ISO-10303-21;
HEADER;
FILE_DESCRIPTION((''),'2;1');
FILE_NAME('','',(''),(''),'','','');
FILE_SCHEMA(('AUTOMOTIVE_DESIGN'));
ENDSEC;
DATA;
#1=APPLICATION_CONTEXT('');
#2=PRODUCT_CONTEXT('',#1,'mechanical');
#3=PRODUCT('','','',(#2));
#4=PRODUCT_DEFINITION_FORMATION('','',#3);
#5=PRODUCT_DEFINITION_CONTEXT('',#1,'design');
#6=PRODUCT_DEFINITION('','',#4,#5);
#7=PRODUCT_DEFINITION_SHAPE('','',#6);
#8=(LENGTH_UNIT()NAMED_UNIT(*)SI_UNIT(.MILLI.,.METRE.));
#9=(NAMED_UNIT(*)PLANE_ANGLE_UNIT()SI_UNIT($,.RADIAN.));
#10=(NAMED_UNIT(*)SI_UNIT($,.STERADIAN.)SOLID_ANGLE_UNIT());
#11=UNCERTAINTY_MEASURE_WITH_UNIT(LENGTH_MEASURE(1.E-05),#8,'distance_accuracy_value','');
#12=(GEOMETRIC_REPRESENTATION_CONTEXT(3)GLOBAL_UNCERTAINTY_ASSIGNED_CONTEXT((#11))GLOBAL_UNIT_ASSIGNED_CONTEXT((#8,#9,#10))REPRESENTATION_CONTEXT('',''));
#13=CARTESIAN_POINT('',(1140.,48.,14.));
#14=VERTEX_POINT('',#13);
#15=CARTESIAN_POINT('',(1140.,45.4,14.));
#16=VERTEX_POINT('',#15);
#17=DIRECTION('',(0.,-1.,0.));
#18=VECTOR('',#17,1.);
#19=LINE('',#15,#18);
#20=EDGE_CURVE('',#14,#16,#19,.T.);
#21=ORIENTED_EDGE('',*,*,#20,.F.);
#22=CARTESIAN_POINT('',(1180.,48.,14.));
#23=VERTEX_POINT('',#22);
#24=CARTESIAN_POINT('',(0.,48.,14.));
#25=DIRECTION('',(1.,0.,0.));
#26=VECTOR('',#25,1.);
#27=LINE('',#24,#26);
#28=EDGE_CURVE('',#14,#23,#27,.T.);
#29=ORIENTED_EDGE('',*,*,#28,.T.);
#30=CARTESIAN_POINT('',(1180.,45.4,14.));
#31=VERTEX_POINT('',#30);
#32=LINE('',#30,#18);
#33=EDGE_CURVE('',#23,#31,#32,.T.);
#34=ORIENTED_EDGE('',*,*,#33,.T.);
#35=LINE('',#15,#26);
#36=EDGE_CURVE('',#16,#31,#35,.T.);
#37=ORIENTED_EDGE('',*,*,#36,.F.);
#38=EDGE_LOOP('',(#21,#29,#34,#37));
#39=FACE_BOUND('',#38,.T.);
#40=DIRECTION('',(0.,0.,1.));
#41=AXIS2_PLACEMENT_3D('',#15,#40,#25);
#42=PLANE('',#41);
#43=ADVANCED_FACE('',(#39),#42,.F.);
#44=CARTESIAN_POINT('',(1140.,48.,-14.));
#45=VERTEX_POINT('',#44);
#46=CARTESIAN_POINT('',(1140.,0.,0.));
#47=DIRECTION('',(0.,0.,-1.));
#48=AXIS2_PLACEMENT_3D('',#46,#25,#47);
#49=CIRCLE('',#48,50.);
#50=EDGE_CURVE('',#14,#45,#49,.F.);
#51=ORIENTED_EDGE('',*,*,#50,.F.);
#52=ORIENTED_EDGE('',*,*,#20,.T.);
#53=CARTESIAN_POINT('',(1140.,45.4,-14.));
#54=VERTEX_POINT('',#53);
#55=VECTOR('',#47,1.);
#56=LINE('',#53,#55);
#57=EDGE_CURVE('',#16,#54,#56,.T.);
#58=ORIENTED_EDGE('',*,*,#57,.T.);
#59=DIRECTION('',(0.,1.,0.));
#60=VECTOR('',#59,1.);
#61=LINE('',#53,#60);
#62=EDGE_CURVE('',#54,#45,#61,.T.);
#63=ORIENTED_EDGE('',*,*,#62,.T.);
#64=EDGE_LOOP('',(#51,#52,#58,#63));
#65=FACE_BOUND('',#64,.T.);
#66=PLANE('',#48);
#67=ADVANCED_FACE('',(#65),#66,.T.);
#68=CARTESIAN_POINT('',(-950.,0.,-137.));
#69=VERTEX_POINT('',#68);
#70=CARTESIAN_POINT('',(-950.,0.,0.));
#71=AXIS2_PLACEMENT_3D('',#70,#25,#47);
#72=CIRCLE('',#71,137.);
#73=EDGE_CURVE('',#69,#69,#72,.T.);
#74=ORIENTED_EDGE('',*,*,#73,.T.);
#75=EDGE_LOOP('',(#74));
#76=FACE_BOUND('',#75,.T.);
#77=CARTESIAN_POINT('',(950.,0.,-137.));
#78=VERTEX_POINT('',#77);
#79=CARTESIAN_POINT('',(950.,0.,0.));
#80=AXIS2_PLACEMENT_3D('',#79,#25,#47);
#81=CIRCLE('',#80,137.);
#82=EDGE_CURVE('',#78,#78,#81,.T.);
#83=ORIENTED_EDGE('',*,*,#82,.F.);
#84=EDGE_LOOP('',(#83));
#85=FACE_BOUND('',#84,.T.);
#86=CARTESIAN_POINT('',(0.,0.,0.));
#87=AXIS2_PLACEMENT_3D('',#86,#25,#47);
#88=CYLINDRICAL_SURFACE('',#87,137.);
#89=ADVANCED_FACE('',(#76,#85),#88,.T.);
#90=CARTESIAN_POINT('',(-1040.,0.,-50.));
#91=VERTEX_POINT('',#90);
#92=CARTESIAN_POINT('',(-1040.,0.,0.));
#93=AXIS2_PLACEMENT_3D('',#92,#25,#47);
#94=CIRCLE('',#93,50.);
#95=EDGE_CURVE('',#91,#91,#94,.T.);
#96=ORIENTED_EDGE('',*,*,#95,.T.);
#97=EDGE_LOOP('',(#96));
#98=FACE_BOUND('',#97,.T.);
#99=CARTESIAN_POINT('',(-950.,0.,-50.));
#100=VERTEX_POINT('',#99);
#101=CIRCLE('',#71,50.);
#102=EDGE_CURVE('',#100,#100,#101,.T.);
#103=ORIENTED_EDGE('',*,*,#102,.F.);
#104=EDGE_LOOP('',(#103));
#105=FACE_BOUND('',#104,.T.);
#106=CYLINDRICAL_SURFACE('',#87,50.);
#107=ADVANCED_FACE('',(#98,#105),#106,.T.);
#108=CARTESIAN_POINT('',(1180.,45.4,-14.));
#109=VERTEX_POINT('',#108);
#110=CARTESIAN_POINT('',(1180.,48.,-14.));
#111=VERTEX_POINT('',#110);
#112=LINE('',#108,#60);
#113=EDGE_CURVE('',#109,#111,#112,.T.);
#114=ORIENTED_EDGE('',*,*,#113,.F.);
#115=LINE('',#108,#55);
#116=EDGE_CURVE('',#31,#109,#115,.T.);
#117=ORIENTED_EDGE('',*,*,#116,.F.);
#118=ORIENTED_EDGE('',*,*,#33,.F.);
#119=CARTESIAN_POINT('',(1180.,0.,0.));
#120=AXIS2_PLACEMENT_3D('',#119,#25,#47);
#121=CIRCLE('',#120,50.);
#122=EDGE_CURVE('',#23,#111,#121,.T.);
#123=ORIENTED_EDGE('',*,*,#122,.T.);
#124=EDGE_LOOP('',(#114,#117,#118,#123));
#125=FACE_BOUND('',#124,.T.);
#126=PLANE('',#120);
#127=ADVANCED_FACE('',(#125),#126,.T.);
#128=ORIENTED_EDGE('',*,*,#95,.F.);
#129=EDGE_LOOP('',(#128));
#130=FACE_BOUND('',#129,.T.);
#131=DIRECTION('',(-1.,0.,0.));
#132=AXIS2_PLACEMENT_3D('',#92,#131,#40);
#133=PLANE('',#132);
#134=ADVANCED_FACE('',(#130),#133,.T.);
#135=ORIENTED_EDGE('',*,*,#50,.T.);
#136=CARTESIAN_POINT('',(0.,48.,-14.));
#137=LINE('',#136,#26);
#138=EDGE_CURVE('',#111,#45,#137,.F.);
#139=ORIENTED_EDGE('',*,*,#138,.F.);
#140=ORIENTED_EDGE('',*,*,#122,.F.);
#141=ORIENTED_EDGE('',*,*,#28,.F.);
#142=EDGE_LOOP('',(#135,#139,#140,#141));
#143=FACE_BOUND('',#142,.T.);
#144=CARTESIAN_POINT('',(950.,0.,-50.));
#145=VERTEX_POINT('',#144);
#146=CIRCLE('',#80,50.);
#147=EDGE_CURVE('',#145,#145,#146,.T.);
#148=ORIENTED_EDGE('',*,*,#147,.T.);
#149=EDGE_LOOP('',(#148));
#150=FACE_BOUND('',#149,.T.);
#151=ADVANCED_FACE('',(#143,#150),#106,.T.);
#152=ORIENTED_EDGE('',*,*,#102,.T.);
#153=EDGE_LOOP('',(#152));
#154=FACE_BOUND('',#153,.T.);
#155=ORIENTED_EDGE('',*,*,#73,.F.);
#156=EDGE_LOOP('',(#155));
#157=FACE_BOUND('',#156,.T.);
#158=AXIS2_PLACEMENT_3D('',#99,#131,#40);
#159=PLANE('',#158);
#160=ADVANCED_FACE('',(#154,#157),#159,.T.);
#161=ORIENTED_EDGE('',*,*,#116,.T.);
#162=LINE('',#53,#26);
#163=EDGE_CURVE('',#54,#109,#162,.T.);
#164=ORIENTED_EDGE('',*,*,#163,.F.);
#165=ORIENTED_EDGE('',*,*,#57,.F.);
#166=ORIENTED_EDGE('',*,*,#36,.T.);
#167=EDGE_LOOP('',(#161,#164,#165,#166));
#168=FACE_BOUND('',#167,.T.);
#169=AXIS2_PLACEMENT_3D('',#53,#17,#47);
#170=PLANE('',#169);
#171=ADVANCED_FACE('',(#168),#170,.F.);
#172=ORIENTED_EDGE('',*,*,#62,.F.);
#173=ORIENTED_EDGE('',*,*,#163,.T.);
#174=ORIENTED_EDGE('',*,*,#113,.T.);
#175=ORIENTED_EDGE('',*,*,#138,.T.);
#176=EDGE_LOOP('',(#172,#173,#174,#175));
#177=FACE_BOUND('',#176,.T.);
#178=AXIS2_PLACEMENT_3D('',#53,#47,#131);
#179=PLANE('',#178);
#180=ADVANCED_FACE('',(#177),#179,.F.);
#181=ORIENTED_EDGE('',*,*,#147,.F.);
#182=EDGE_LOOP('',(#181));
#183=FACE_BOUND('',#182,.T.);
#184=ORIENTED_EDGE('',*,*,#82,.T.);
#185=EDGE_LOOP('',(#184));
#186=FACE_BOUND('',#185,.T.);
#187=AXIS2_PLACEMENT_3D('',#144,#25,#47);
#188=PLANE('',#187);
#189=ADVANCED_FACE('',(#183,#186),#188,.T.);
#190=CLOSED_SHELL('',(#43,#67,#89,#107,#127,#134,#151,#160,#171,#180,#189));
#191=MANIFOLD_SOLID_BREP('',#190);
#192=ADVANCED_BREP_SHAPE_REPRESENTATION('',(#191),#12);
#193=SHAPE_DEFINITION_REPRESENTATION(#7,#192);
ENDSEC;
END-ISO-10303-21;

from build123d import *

# Parameters (mm, degrees)
SKETCH2_W          = 28
SKETCH2_H          = 5.2
CUT_EXTRUDE1_DEPTH = 40


with BuildPart() as part:
    # Sketch1 → Revolve1 (revolve)
    with BuildSketch(Plane(origin=(0, 0, 0), x_dir=(1, 0, 0), z_dir=(0, 1, 0))):
        Polygon((0, 0), (-1040, 0), (-1040, 50), (-950, 50), (-950, 137), (0, 137), (950, 137), (950, 50), (1180, 50), (1180, 0), align=None)
    revolve(axis=Axis((0, 0, 0), (-1, 0, 0)))

    # Sketch2 → Cut-Extrude1 (cut)
    with BuildSketch(Plane(origin=(1180, 0, 0), x_dir=(0, 0, -1), z_dir=(1, 0, 0))):
        with Locations((0, 48)):
            Rectangle(SKETCH2_W, SKETCH2_H)
    extrude(amount=-CUT_EXTRUDE1_DEPTH, mode=Mode.SUBTRACT)


solid = part.part
